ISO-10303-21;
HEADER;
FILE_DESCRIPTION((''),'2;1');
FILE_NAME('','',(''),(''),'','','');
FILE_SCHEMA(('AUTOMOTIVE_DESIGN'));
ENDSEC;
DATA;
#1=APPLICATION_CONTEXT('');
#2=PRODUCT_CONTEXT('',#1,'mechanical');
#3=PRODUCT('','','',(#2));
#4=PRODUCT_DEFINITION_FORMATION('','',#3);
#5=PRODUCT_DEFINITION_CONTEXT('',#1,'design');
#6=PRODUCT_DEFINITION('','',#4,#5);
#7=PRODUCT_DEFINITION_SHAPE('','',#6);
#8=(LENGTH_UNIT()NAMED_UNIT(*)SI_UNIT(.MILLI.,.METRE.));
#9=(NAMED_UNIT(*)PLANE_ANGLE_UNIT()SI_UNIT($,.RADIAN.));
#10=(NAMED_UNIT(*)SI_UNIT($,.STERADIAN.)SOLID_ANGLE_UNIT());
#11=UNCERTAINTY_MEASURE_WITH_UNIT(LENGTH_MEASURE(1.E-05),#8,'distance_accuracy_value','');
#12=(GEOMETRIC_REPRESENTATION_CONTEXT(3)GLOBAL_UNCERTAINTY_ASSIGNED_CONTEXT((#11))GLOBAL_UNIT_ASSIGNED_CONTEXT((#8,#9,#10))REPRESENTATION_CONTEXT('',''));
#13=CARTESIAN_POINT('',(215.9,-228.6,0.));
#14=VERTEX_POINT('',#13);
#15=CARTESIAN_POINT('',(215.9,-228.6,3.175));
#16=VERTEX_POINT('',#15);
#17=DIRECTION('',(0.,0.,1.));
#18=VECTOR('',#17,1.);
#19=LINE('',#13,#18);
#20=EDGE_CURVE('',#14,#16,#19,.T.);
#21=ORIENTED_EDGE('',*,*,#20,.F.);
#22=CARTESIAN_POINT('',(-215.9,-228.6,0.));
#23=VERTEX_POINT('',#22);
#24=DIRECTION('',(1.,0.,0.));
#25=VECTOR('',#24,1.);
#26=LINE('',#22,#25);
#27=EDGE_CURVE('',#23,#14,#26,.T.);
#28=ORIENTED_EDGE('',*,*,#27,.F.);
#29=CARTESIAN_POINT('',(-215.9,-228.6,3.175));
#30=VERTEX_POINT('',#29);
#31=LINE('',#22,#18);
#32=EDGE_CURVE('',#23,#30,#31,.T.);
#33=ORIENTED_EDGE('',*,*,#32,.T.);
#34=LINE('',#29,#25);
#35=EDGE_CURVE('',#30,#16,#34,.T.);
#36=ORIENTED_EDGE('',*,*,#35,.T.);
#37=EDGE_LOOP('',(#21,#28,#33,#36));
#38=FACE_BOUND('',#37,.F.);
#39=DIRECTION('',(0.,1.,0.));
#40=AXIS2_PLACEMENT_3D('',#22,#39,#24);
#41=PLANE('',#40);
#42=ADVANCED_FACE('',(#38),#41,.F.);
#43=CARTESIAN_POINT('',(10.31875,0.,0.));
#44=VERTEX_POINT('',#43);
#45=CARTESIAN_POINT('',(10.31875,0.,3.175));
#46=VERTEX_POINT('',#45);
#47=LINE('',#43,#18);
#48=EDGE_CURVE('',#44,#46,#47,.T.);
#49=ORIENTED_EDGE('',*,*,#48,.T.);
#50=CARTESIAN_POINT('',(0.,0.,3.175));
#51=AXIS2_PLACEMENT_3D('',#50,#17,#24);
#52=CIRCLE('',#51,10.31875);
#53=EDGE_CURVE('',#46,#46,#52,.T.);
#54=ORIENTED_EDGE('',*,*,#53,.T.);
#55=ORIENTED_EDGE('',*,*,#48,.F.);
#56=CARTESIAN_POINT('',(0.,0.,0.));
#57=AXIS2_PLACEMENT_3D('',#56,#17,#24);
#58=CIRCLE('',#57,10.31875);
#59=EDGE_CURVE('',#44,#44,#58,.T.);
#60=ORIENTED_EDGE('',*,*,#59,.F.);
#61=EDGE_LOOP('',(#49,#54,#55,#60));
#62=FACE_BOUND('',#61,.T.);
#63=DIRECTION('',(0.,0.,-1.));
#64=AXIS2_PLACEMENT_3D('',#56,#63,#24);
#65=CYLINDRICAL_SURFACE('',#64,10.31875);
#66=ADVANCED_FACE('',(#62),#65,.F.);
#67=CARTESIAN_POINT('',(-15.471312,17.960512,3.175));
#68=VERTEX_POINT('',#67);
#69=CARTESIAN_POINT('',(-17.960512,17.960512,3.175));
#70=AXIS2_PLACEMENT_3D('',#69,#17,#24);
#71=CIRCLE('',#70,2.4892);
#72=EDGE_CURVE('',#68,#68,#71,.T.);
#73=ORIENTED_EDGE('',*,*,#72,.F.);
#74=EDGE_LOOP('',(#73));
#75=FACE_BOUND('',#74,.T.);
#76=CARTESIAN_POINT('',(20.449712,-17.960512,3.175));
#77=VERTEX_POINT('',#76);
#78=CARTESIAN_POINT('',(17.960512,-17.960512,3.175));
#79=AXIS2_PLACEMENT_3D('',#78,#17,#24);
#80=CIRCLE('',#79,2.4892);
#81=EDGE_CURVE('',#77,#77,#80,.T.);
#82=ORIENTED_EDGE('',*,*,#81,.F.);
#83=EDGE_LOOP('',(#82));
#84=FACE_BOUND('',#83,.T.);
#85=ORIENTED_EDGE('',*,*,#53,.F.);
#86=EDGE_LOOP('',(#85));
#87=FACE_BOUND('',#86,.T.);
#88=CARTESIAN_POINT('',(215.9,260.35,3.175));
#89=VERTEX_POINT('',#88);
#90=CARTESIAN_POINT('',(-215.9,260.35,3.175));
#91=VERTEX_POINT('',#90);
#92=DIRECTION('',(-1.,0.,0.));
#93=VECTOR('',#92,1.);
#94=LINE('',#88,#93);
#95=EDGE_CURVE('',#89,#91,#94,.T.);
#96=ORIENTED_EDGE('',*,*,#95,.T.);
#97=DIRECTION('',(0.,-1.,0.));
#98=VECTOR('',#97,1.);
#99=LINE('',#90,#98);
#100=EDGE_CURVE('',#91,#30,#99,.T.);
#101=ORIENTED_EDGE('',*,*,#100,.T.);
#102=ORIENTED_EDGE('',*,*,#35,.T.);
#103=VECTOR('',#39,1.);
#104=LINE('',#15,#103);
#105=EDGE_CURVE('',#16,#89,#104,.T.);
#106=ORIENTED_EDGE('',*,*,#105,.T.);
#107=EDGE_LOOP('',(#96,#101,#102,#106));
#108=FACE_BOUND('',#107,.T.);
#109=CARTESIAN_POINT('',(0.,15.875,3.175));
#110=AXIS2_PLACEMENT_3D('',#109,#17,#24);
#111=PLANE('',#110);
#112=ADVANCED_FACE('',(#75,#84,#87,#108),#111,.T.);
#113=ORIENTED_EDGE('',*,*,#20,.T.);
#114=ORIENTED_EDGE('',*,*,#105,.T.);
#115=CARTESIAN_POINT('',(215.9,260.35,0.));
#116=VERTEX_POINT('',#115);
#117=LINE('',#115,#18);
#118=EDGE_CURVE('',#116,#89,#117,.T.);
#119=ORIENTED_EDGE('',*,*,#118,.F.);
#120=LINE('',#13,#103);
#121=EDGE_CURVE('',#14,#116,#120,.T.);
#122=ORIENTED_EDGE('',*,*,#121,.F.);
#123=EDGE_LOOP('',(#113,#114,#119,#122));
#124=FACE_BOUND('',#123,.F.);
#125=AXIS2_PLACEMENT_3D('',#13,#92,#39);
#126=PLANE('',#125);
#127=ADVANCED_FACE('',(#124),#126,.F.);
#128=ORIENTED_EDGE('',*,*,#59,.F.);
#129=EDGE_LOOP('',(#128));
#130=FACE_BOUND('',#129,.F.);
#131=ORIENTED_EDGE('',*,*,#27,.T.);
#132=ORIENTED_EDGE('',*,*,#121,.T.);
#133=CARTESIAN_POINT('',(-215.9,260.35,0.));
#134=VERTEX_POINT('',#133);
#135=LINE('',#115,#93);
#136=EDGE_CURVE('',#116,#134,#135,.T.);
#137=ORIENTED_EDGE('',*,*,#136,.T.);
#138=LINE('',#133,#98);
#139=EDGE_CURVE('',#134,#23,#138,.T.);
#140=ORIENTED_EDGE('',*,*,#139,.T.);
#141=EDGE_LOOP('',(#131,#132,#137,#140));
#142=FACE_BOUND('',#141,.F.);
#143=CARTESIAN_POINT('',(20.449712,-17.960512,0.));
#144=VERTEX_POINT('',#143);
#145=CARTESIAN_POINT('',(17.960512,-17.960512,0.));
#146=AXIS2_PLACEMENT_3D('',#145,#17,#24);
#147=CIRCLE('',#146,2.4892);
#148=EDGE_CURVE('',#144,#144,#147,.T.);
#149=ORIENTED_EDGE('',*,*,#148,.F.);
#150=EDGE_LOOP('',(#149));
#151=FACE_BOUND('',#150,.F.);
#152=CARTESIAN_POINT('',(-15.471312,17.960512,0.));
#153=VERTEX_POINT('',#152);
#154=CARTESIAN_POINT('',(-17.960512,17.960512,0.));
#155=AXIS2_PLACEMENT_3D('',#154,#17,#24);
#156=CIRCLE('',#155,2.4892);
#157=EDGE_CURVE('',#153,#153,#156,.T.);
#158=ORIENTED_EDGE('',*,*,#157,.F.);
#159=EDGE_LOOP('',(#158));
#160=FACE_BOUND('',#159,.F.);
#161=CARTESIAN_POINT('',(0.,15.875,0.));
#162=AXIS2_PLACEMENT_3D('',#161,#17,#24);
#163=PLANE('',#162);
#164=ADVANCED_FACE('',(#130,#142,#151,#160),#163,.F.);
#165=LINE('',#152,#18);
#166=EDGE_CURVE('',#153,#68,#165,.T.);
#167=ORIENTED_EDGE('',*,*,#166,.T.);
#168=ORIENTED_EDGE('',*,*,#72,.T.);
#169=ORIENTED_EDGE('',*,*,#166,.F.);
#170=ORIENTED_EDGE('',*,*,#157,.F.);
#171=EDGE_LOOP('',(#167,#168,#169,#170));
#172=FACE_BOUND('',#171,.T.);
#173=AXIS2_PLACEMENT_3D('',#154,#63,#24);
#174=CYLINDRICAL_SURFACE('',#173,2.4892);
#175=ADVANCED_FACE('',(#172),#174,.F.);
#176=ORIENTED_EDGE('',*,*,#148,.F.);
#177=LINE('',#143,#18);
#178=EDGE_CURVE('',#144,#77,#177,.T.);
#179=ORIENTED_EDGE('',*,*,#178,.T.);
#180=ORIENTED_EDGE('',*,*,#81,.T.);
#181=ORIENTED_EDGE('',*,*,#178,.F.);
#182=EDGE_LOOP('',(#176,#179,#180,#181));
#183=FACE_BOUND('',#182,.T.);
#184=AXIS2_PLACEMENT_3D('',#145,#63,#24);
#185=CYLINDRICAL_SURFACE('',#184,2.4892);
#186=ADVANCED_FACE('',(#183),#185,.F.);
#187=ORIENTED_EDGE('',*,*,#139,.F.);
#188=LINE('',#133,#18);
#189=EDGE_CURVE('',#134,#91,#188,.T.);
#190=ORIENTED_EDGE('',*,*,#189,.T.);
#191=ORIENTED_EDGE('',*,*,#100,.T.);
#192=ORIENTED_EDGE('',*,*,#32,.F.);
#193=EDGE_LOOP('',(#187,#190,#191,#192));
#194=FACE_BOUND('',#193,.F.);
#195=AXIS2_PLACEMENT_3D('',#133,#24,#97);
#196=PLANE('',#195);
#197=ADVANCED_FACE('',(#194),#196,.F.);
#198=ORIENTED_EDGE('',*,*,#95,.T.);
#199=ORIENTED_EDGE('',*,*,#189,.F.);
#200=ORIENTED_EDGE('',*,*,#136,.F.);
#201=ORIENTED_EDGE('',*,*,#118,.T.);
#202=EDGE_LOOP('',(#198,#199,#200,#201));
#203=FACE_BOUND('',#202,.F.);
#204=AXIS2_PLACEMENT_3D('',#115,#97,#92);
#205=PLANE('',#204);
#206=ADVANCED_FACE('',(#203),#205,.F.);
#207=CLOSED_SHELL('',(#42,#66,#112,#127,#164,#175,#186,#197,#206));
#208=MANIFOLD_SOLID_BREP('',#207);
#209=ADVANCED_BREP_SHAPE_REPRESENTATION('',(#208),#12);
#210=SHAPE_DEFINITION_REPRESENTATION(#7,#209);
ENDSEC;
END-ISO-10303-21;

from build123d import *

# Parameters (mm, degrees)
F0_R     = 2.4892
F0_R_2   = 10.31875
F1_DEPTH = 3.175


with BuildPart() as f1:
    # F0 (on Top) → F1 (new body)
    with BuildSketch(Plane.XY):
        Polygon((215.9, 260.35), (-215.9, 260.35), (-215.9, -31.75), (-215.9, -228.6), (215.9, -228.6), align=None)
        with Locations((17.960512, -17.960512)):
            Circle(F0_R, mode=Mode.SUBTRACT)
        Circle(F0_R_2, mode=Mode.SUBTRACT)
        with Locations((-17.960512, 17.960512)):
            Circle(F0_R, mode=Mode.SUBTRACT)
    extrude(amount=F1_DEPTH)


solid = f1.part
